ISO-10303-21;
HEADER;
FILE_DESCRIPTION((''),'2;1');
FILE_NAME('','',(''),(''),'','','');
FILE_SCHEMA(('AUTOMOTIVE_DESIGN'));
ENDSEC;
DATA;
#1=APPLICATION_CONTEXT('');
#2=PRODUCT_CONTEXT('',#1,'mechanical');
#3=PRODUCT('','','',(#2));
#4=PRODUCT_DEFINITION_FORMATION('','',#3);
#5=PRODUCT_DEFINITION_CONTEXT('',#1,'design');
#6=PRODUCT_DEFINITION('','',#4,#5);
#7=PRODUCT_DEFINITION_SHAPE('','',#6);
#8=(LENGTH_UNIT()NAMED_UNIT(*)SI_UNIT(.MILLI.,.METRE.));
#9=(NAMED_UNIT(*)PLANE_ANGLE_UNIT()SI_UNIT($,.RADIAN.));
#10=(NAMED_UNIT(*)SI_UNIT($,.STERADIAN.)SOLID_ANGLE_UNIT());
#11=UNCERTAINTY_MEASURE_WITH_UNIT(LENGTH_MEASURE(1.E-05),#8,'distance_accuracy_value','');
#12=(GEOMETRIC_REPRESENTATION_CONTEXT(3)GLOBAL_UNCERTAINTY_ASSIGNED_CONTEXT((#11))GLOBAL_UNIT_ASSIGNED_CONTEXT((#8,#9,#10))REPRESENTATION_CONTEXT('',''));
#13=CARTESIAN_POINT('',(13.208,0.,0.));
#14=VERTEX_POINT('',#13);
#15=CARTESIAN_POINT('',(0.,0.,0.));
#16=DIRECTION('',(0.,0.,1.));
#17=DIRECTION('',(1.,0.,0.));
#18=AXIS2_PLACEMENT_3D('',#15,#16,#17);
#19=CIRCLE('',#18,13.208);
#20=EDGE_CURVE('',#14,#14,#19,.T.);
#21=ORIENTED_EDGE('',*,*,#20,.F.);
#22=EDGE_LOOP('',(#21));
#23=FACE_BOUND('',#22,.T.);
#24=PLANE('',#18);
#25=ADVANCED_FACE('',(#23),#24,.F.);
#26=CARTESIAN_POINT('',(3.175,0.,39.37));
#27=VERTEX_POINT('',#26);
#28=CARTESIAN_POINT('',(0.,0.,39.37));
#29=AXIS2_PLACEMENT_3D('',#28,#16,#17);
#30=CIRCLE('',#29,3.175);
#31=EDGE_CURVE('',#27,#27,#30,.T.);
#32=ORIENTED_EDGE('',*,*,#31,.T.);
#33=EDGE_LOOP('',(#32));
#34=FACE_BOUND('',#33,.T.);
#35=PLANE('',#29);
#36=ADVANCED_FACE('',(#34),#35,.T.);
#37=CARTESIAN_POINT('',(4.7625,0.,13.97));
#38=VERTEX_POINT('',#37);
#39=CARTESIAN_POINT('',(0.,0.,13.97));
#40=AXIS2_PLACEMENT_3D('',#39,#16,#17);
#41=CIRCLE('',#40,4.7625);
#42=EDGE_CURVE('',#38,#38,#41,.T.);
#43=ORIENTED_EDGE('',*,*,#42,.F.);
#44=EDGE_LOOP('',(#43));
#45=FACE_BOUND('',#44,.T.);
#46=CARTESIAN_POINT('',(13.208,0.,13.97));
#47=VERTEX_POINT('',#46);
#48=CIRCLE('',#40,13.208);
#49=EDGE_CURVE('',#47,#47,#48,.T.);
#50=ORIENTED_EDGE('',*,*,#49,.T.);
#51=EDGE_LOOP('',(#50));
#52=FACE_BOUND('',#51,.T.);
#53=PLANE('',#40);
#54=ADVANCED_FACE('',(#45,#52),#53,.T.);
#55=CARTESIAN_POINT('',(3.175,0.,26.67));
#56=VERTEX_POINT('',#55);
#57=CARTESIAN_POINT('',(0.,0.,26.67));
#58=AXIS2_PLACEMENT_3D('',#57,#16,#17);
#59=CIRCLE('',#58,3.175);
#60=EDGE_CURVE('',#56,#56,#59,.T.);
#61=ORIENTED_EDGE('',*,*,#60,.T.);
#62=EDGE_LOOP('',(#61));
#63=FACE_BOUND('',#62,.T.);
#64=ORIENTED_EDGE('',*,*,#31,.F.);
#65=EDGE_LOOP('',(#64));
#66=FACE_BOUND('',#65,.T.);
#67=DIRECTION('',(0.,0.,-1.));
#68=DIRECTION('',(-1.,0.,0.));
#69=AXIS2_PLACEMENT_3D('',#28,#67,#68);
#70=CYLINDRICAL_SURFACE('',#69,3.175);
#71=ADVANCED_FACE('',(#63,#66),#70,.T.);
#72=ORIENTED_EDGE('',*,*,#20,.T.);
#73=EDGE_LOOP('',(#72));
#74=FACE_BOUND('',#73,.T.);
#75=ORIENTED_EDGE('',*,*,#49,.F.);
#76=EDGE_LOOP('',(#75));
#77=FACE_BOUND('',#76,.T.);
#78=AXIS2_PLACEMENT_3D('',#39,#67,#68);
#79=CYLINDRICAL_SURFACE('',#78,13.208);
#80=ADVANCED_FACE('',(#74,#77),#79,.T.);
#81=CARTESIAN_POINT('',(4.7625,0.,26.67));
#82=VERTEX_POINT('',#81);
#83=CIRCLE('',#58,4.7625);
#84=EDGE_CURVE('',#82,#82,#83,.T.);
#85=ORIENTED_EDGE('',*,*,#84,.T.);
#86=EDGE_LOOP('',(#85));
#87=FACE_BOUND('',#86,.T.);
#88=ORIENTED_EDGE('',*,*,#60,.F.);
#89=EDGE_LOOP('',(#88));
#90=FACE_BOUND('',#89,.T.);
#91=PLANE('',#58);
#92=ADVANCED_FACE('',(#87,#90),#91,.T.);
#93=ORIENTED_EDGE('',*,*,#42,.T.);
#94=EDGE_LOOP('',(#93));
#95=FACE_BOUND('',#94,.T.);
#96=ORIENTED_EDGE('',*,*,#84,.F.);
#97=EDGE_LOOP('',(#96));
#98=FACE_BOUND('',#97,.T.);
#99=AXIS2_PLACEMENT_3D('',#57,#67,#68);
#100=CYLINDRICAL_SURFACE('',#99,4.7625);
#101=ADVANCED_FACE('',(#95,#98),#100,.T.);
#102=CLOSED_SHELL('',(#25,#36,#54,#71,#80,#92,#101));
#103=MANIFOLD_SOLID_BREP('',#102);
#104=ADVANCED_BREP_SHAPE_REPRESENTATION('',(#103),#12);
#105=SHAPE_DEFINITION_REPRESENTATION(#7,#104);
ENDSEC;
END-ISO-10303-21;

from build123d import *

# Parameters (mm, degrees)
SKETCH1_R      = 13.208
EXTRUDE1_DEPTH = 13.97
SKETCH2_R      = 4.7625
EXTRUDE2_DEPTH = 12.7
SKETCH3_R      = 3.175
EXTRUDE3_DEPTH = 12.7


with BuildPart() as part:
    # Sketch1 → Extrude1 (new body)
    with BuildSketch(Plane.XY):
        Circle(SKETCH1_R)
    extrude(amount=EXTRUDE1_DEPTH)

    # Sketch2 → Extrude2 (add)
    with BuildSketch(Plane.XY.offset(13.97)):
        Circle(SKETCH2_R)
    extrude(amount=EXTRUDE2_DEPTH)

    # Sketch3 → Extrude3 (add)
    with BuildSketch(Plane.XY.offset(26.67)):
        Circle(SKETCH3_R)
    extrude(amount=EXTRUDE3_DEPTH)


solid = part.part
